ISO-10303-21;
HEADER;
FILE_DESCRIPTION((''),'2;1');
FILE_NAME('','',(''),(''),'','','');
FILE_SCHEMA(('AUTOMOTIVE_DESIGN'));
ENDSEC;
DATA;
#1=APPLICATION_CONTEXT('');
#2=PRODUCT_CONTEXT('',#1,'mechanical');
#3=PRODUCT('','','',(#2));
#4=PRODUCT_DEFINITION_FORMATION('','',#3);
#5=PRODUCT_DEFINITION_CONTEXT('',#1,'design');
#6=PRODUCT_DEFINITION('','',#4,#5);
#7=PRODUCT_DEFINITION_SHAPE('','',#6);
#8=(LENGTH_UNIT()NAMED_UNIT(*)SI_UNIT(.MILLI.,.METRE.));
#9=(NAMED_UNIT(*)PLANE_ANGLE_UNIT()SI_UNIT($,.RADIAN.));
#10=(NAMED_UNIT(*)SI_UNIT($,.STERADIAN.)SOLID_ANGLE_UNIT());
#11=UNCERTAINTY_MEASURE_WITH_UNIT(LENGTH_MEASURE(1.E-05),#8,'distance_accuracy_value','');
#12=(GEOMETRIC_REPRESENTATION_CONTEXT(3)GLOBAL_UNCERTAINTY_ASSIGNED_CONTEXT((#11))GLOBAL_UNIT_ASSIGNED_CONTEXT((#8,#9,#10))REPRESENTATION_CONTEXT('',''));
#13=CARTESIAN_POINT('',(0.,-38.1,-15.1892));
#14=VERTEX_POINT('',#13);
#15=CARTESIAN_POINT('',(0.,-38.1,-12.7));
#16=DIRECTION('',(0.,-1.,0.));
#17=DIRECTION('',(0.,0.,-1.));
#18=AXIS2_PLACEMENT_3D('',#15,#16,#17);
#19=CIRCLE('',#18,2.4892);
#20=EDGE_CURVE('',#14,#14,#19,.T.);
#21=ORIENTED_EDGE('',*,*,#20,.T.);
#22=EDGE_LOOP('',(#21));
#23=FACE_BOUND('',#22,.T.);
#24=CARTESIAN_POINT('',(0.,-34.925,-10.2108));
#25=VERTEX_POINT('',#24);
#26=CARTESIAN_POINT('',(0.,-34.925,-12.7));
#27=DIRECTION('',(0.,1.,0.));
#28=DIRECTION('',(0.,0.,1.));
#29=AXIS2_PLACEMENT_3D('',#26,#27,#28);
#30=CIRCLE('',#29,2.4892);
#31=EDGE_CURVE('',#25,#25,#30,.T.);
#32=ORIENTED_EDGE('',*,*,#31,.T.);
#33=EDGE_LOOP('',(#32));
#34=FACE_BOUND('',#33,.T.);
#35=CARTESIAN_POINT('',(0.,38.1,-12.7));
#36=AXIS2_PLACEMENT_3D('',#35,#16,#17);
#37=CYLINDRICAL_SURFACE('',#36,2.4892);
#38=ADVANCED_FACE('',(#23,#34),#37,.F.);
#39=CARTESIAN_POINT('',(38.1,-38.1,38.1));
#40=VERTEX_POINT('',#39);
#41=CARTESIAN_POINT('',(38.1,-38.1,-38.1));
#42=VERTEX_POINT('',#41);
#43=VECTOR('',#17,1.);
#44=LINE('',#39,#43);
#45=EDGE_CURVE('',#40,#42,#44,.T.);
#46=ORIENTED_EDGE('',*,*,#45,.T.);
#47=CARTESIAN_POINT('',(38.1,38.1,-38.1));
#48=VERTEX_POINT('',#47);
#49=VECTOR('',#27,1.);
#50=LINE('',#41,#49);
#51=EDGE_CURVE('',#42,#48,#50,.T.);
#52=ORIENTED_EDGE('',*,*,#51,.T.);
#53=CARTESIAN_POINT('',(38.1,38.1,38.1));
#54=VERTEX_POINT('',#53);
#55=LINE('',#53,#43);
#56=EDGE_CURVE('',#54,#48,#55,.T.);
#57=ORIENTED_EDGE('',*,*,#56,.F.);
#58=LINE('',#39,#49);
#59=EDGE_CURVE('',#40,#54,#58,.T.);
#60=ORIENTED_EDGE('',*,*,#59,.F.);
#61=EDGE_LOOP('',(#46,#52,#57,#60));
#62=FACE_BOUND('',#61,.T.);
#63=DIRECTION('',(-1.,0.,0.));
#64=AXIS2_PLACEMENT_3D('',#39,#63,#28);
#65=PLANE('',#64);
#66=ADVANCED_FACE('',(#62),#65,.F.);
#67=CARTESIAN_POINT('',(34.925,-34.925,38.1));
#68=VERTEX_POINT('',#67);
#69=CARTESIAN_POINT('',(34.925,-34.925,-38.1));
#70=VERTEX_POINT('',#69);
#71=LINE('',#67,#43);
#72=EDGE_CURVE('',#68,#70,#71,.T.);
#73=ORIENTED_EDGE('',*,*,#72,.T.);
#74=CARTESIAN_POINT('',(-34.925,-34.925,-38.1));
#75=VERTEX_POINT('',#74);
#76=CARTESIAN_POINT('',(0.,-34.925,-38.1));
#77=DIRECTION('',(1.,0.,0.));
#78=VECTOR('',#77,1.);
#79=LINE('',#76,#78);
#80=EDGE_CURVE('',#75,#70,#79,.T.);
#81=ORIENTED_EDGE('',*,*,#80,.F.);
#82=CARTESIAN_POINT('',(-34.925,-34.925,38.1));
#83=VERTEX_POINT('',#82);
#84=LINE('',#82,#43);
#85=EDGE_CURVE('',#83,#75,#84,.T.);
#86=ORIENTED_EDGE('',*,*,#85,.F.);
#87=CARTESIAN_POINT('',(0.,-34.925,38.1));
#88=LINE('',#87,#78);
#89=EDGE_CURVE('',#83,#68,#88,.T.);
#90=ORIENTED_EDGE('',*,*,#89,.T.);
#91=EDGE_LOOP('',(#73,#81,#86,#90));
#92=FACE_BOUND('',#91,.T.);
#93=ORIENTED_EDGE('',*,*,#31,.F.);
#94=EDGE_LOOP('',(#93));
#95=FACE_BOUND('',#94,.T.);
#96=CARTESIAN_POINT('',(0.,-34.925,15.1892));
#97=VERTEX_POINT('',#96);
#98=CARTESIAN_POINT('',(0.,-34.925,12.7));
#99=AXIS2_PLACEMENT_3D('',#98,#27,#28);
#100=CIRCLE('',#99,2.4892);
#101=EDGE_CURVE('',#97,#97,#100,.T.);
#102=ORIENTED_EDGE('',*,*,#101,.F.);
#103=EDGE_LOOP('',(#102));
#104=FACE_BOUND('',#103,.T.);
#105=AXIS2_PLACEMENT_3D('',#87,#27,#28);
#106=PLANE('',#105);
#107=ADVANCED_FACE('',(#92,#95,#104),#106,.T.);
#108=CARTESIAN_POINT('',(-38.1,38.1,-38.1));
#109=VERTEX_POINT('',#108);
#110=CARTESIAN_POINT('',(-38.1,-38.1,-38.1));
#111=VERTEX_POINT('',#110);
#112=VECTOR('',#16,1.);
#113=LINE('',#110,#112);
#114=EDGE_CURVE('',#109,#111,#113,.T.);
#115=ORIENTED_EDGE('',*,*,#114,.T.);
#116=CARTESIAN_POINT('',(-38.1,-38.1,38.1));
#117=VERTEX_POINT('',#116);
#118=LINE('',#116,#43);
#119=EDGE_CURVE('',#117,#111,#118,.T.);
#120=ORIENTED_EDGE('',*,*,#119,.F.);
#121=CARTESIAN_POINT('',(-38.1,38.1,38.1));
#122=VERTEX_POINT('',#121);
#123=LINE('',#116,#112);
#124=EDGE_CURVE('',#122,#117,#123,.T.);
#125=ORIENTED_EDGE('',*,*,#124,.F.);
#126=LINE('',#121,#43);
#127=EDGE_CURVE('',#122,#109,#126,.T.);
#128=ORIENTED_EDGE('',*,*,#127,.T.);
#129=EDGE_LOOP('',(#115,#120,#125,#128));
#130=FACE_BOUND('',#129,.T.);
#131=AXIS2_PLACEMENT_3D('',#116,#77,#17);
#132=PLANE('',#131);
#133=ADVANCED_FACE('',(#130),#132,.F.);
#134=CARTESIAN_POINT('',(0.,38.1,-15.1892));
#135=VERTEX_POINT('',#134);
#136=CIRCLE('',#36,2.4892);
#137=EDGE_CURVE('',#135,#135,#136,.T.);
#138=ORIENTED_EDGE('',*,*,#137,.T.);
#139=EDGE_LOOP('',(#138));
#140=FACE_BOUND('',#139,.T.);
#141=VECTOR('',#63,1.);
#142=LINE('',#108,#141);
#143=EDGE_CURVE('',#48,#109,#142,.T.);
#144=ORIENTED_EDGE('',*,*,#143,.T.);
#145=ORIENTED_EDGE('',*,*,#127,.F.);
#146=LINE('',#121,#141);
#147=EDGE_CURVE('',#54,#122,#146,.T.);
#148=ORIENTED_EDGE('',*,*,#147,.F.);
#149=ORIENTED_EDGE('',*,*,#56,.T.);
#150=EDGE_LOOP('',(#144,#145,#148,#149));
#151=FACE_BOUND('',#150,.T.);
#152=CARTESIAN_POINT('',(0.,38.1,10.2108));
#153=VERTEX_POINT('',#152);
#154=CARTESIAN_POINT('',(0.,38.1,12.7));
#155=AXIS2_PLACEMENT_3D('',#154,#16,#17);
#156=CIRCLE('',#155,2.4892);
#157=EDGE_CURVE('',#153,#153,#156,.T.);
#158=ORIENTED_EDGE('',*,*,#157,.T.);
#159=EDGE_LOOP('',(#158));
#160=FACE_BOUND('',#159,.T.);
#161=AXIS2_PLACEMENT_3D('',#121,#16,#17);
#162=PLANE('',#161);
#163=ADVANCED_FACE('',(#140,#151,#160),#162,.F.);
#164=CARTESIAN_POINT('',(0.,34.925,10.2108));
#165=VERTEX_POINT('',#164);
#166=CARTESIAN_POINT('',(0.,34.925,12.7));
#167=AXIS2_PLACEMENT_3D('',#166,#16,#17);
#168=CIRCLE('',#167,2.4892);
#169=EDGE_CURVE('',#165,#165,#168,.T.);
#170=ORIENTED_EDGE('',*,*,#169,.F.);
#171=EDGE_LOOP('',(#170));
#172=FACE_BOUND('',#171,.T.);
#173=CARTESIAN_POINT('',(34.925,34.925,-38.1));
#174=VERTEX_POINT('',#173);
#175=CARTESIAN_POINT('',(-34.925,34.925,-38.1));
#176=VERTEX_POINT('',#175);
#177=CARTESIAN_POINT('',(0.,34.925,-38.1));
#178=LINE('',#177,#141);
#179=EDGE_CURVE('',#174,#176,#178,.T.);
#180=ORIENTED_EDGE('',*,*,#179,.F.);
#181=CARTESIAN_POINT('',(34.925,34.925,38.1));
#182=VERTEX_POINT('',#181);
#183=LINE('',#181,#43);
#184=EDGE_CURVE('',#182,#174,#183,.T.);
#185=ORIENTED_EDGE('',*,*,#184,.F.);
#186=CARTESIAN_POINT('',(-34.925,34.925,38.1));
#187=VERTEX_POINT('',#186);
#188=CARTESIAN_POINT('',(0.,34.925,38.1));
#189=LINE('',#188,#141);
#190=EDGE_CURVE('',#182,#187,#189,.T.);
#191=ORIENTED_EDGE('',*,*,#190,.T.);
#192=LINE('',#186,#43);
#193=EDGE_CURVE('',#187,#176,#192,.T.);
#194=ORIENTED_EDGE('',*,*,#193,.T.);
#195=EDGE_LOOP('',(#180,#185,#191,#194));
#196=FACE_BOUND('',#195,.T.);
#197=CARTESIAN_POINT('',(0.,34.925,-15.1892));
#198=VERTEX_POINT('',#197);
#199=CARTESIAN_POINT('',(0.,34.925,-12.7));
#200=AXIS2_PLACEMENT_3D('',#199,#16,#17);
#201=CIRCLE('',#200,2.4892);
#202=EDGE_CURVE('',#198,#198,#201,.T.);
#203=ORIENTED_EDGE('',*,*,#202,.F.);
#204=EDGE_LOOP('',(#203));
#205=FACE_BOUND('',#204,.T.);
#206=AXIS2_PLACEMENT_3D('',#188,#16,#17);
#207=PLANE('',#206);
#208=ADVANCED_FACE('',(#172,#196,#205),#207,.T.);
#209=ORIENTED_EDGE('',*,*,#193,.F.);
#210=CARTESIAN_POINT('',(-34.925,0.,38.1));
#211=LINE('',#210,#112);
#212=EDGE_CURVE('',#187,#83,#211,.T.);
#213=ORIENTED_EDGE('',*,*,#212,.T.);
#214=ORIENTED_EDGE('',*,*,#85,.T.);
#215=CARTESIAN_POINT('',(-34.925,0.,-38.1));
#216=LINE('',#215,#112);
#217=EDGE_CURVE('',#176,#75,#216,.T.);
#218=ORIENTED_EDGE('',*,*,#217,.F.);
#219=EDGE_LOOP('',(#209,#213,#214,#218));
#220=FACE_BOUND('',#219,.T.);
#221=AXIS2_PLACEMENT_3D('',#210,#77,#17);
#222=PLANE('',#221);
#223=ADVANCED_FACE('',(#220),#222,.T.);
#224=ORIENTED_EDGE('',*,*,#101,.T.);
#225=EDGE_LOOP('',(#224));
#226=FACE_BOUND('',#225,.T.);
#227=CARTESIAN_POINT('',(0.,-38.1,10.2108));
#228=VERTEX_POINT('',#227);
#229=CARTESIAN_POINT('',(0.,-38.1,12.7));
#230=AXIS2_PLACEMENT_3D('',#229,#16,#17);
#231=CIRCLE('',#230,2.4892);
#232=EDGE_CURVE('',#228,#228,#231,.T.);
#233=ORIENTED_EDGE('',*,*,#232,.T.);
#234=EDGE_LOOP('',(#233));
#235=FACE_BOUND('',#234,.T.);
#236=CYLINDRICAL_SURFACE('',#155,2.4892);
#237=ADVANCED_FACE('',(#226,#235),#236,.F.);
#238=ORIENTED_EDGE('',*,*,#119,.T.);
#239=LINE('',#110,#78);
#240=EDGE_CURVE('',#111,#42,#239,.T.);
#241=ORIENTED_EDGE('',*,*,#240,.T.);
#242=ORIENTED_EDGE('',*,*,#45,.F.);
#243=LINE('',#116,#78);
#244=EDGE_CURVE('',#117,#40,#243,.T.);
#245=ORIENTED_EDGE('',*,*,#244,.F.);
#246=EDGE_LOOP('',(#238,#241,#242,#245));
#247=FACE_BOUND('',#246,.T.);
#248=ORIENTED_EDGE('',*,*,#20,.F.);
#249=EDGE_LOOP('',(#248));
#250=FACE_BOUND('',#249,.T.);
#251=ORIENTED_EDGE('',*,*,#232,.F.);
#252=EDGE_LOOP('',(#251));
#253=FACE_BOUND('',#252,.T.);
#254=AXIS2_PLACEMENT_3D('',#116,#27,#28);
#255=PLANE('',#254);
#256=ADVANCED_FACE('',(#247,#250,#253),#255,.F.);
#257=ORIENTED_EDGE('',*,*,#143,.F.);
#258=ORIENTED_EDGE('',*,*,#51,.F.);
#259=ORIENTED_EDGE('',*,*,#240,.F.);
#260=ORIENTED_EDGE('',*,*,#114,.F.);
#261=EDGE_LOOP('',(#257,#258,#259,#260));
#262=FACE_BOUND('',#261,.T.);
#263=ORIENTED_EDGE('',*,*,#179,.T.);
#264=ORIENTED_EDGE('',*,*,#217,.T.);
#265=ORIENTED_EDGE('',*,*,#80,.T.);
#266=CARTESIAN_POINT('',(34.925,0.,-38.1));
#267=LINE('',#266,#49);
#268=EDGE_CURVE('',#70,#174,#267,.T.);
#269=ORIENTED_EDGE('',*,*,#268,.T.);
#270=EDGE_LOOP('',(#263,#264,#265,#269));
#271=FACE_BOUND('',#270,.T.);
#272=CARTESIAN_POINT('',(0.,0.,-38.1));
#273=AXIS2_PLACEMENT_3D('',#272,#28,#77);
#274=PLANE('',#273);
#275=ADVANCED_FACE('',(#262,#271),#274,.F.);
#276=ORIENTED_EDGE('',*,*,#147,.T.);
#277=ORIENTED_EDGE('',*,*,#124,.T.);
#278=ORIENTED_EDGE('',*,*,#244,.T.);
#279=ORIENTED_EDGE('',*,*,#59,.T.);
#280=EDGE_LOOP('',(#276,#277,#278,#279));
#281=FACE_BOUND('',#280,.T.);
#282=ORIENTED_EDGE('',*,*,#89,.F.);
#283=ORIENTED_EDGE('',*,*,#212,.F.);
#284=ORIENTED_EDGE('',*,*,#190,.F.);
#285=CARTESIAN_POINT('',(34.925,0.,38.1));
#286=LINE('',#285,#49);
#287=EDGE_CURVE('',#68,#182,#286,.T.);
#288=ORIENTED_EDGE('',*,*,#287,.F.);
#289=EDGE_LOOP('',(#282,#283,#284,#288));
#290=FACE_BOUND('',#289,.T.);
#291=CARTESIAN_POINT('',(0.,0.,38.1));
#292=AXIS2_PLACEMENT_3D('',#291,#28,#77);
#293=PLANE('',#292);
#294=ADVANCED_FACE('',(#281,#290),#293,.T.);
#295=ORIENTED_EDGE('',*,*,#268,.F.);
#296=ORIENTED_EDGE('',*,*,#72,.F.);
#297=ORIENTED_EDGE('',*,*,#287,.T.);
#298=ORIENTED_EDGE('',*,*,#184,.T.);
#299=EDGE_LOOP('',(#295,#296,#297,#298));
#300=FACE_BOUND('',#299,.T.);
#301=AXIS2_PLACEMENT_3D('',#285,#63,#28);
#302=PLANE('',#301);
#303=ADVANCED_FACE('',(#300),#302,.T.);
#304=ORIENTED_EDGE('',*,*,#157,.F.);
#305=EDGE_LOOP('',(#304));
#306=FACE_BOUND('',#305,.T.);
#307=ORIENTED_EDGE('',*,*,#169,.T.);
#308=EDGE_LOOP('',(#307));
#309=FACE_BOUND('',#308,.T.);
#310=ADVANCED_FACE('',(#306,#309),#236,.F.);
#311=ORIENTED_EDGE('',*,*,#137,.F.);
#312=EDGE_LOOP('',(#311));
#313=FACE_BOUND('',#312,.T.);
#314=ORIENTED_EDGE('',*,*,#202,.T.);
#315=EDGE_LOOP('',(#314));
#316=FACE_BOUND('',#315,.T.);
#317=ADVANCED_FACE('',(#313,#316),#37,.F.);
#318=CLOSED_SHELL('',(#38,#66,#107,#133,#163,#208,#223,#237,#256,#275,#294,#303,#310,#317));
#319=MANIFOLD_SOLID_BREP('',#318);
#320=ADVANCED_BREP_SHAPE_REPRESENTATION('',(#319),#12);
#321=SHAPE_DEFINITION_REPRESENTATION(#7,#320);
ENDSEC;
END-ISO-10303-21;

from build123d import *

# Parameters (mm, degrees)
SKETCH1_W           = 76.2
SKETCH1_H           = 76.2
SKETCH1_W_2         = 69.85
SKETCH1_H_2         = 69.85
EXTRUDE_THIN1_DEPTH = 38.1
SKETCH2_R           = 2.4892
CUT_EXTRUDE1_DEPTH  = 77.2


with BuildPart() as part:
    # Sketch1 → Extrude-Thin1 (new body, symmetric)
    with BuildSketch(Plane.XY):
        Rectangle(SKETCH1_W, SKETCH1_H)
        Rectangle(SKETCH1_W_2, SKETCH1_H_2, mode=Mode.SUBTRACT)
    extrude(amount=EXTRUDE_THIN1_DEPTH, both=True)

    # Sketch2 → Cut-Extrude1 (cut, through all)
    with BuildSketch(Plane.XZ.offset(38.1)):
        with Locations((0, 12.7)):
            Circle(SKETCH2_R)
        with Locations((0, -12.7)):
            Circle(SKETCH2_R)
    extrude(amount=-CUT_EXTRUDE1_DEPTH, mode=Mode.SUBTRACT)


solid = part.part
